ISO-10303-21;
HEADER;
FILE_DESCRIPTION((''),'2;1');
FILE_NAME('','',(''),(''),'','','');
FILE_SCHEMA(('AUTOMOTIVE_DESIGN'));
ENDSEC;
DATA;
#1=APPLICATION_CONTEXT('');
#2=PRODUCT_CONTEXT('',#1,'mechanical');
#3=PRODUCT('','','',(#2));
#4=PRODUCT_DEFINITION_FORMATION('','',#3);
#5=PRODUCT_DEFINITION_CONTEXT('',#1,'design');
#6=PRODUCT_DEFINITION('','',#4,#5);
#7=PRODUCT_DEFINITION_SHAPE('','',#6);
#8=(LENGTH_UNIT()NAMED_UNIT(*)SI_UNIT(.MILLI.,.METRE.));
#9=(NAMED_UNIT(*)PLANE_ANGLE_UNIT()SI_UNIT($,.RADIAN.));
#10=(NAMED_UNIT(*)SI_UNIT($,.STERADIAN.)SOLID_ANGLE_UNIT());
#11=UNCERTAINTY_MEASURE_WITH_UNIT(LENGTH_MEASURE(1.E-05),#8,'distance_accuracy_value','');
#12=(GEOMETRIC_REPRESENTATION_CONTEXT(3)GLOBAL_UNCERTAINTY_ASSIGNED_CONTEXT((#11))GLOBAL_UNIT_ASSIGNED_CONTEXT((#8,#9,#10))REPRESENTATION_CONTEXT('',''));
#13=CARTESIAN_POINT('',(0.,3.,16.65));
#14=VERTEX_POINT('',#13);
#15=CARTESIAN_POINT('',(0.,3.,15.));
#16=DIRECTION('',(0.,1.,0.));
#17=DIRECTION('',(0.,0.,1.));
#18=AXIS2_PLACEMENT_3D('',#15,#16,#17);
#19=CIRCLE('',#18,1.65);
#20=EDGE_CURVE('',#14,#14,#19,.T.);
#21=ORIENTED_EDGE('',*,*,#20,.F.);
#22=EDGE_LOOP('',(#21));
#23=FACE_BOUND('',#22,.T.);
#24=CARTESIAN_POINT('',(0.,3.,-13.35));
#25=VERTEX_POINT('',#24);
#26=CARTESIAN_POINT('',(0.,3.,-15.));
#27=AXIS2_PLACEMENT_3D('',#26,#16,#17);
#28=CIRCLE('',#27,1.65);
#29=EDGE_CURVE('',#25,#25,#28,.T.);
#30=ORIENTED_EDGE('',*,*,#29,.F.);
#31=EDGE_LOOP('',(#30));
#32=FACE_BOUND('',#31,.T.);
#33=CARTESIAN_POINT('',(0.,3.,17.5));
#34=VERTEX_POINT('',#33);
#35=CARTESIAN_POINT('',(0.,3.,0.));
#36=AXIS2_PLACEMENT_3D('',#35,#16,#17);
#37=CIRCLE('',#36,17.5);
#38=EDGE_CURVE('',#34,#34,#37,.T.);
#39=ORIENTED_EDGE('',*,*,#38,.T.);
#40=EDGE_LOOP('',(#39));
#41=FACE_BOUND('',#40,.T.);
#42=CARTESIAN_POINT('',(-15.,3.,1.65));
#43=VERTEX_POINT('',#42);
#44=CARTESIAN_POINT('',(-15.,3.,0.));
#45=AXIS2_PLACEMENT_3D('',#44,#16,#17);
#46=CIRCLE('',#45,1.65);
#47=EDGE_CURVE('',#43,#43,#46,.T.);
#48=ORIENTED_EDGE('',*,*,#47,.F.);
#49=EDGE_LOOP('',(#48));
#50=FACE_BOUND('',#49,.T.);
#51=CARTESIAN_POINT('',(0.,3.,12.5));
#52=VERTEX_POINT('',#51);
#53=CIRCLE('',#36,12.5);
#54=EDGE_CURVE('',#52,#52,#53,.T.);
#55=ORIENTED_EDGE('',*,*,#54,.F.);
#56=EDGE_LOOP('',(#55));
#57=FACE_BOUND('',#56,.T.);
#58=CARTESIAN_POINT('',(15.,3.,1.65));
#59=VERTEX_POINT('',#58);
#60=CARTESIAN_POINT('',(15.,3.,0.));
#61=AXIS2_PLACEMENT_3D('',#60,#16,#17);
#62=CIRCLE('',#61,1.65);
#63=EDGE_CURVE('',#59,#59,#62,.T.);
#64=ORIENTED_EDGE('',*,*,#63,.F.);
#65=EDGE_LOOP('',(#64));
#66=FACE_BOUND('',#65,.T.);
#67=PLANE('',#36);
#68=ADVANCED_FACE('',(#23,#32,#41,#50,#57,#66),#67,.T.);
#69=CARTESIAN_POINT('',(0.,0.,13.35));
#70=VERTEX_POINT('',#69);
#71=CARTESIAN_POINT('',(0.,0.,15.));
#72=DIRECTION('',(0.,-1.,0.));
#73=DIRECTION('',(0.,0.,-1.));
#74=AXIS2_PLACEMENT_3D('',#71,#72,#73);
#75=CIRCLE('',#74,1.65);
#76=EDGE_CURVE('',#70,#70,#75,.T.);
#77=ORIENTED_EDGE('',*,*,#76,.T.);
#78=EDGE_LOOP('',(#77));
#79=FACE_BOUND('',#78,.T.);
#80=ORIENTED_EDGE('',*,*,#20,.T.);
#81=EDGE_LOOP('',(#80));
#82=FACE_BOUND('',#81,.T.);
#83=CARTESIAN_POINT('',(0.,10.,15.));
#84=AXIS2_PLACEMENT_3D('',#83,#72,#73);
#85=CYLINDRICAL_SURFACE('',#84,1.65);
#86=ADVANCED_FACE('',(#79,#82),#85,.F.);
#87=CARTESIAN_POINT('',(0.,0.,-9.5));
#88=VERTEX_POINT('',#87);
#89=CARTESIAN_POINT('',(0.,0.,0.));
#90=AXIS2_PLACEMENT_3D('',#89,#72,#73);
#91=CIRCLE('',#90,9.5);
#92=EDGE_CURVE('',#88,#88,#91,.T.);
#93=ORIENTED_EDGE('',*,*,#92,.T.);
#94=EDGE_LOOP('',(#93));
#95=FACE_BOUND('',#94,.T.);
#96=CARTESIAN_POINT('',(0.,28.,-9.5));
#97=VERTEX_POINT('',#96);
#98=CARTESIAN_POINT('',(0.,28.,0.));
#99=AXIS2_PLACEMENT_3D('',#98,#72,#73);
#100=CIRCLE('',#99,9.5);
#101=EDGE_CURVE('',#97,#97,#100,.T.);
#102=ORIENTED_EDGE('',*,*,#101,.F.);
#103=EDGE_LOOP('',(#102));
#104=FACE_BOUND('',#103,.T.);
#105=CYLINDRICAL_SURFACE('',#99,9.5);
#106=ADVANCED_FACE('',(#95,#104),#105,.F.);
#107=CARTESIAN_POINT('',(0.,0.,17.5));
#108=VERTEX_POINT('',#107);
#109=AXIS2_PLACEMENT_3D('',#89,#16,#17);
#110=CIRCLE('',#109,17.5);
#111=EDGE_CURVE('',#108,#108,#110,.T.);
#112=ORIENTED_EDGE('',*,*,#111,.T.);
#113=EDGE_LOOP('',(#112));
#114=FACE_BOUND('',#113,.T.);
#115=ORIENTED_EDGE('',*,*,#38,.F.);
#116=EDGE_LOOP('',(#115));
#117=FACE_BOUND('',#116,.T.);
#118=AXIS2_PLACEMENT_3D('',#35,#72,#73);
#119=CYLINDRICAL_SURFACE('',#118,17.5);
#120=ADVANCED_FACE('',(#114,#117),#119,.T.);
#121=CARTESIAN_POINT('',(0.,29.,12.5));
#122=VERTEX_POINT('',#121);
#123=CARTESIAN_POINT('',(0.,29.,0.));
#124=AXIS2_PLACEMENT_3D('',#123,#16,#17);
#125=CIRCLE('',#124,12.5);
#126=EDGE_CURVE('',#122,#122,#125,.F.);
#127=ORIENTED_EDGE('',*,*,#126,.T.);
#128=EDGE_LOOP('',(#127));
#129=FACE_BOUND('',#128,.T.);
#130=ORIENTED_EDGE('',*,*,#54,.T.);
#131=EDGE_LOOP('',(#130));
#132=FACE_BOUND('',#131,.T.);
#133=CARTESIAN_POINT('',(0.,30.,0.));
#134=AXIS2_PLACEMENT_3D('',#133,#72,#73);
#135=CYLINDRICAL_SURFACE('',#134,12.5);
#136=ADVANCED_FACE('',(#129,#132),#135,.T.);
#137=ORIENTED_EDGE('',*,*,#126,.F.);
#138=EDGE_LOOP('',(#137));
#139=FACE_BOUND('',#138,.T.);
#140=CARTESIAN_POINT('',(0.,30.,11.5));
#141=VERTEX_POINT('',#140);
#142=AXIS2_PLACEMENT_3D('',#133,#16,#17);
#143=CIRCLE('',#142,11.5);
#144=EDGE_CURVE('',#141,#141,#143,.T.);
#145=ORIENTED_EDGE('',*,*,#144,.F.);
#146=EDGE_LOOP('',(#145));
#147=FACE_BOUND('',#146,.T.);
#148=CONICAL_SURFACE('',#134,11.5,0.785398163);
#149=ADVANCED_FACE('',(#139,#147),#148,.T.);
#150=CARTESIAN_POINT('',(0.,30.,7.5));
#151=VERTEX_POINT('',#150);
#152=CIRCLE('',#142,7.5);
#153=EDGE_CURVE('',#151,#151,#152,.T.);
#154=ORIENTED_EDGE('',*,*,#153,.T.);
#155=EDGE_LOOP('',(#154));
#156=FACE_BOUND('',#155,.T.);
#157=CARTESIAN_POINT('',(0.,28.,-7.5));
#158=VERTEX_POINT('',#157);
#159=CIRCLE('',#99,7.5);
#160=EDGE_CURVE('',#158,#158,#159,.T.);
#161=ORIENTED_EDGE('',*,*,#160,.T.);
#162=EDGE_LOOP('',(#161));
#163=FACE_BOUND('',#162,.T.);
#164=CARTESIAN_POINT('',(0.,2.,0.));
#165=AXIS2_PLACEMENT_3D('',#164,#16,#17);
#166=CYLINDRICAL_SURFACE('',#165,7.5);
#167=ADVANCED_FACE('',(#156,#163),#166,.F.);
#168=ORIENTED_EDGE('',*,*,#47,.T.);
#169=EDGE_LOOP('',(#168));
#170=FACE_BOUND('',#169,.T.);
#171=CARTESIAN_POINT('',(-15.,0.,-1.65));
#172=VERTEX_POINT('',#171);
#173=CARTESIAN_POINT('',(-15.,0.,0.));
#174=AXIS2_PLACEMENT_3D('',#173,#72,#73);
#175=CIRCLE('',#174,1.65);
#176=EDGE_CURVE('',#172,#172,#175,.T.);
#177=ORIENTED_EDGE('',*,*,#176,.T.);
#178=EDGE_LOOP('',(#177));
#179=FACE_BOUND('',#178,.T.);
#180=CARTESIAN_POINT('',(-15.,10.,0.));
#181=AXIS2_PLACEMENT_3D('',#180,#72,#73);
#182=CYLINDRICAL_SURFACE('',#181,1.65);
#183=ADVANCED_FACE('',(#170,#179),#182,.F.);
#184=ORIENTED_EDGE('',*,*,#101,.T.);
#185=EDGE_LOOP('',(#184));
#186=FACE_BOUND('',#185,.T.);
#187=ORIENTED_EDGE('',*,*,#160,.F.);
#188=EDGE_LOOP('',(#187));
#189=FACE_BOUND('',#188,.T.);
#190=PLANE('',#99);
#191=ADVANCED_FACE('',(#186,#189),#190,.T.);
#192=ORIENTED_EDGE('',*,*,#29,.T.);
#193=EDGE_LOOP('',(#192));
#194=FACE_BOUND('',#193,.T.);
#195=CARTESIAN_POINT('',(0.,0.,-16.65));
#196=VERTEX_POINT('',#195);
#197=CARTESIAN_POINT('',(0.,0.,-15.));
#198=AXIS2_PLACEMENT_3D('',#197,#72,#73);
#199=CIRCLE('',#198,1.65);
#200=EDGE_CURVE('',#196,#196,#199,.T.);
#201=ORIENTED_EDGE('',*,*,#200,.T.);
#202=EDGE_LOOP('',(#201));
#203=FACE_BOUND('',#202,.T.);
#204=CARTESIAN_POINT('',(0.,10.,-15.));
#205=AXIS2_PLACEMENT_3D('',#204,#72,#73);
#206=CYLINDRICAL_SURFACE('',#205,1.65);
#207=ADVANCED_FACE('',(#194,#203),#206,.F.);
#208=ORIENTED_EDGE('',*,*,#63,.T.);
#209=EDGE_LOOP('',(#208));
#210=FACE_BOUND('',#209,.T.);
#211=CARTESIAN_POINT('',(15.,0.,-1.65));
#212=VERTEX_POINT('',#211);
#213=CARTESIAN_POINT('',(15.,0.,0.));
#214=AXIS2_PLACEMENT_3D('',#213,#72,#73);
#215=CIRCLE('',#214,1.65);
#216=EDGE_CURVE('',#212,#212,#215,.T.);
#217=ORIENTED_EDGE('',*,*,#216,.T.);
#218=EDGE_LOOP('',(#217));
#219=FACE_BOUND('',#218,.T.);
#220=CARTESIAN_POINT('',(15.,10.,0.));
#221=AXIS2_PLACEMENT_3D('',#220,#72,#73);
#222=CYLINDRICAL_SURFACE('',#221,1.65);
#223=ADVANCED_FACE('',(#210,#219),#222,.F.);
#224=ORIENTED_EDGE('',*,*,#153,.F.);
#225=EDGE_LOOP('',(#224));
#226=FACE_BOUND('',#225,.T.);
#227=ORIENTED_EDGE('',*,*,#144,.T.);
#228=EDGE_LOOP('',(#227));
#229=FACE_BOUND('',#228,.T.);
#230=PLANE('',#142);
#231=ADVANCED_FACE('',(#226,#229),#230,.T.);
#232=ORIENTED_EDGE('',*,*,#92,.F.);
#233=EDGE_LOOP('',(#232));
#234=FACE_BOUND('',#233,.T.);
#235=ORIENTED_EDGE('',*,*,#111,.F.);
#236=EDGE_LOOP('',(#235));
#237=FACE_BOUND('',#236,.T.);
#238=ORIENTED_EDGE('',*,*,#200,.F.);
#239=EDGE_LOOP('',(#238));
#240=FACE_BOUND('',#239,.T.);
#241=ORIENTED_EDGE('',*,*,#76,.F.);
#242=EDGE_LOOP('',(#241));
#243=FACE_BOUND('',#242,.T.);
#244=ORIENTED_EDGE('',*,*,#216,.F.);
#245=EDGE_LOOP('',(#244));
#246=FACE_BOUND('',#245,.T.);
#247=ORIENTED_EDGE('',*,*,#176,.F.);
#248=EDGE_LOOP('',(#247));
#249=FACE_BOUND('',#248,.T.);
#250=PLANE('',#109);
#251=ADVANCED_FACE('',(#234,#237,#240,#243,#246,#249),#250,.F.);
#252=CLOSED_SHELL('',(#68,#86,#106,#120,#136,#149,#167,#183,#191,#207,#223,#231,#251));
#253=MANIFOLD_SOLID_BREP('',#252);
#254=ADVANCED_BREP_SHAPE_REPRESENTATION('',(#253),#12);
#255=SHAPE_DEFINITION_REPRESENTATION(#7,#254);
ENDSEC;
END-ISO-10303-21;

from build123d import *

# Parameters (mm, degrees)
SKETCH_1_R          = 17.5
EXTRUDE_1_DEPTH     = 3
SKETCH_2_R          = 12.5
EXTRUDE_2_DEPTH     = 27
SKETCH_4_R          = 9.5
CUT_EXTRUDE_1_DEPTH = 28
SKETCH_5_R          = 7.5
CUT_EXTRUDE_2_DEPTH = 28
CHAMFER_1_SIZE      = 1
SKETCH_6_R          = 1.65
CUT_EXTRUDE_3_DEPTH = 10


with BuildPart() as part:
    # Эскиз1 → Бобышка-Вытянуть1 (new body)
    with BuildSketch(Plane(origin=(0, 0, 0), x_dir=(1, 0, 0), z_dir=(0, 1, 0))):
        with Locations(Location((0, 0, 0), (0, 0, 270))):
            Circle(SKETCH_1_R)
    extrude(amount=EXTRUDE_1_DEPTH)

    # Эскиз2 → Бобышка-Вытянуть2 (add)
    with BuildSketch(Plane(origin=(0, 3, 0), x_dir=(1, 0, 0), z_dir=(0, 1, 0))):
        with Locations(Location((0, 0, 0), (0, 0, 270))):
            Circle(SKETCH_2_R)
    extrude(amount=EXTRUDE_2_DEPTH)

    # Эскиз4 → Вырез-Вытянуть1 (cut)
    with BuildSketch(Plane.XZ):
        with Locations(Location((0, 0, 0), (0, 0, 270))):
            Circle(SKETCH_4_R)
    extrude(amount=-CUT_EXTRUDE_1_DEPTH, mode=Mode.SUBTRACT)

    # Эскиз5 → Вырез-Вытянуть2 (cut)
    with BuildSketch(Plane(origin=(0, 30, 0), x_dir=(1, 0, 0), z_dir=(0, 1, 0))):
        with Locations(Location((0, 0, 0), (0, 0, 270))):
            Circle(SKETCH_5_R)
    extrude(amount=-CUT_EXTRUDE_2_DEPTH, mode=Mode.SUBTRACT)

    # Фаска1
    chamfer_1_edges = [part.edges().sort_by_distance(p)[0] for p in [
        (0, 30, -12.5),
    ]]
    chamfer(chamfer_1_edges, length=CHAMFER_1_SIZE)

    # Эскиз6 → Вырез-Вытянуть3 (cut)
    with BuildSketch(Plane.XZ):
        with Locations(Location((0, 15, 0), (0, 0, 270))):
            Circle(SKETCH_6_R)
        with Locations(Location((-15, 0, 0), (0, 0, 270))):
            Circle(SKETCH_6_R)
        with Locations(Location((0, -15, 0), (0, 0, 270))):
            Circle(SKETCH_6_R)
        with Locations(Location((15, 0, 0), (0, 0, 270))):
            Circle(SKETCH_6_R)
    extrude(amount=-CUT_EXTRUDE_3_DEPTH, mode=Mode.SUBTRACT)


solid = part.part
